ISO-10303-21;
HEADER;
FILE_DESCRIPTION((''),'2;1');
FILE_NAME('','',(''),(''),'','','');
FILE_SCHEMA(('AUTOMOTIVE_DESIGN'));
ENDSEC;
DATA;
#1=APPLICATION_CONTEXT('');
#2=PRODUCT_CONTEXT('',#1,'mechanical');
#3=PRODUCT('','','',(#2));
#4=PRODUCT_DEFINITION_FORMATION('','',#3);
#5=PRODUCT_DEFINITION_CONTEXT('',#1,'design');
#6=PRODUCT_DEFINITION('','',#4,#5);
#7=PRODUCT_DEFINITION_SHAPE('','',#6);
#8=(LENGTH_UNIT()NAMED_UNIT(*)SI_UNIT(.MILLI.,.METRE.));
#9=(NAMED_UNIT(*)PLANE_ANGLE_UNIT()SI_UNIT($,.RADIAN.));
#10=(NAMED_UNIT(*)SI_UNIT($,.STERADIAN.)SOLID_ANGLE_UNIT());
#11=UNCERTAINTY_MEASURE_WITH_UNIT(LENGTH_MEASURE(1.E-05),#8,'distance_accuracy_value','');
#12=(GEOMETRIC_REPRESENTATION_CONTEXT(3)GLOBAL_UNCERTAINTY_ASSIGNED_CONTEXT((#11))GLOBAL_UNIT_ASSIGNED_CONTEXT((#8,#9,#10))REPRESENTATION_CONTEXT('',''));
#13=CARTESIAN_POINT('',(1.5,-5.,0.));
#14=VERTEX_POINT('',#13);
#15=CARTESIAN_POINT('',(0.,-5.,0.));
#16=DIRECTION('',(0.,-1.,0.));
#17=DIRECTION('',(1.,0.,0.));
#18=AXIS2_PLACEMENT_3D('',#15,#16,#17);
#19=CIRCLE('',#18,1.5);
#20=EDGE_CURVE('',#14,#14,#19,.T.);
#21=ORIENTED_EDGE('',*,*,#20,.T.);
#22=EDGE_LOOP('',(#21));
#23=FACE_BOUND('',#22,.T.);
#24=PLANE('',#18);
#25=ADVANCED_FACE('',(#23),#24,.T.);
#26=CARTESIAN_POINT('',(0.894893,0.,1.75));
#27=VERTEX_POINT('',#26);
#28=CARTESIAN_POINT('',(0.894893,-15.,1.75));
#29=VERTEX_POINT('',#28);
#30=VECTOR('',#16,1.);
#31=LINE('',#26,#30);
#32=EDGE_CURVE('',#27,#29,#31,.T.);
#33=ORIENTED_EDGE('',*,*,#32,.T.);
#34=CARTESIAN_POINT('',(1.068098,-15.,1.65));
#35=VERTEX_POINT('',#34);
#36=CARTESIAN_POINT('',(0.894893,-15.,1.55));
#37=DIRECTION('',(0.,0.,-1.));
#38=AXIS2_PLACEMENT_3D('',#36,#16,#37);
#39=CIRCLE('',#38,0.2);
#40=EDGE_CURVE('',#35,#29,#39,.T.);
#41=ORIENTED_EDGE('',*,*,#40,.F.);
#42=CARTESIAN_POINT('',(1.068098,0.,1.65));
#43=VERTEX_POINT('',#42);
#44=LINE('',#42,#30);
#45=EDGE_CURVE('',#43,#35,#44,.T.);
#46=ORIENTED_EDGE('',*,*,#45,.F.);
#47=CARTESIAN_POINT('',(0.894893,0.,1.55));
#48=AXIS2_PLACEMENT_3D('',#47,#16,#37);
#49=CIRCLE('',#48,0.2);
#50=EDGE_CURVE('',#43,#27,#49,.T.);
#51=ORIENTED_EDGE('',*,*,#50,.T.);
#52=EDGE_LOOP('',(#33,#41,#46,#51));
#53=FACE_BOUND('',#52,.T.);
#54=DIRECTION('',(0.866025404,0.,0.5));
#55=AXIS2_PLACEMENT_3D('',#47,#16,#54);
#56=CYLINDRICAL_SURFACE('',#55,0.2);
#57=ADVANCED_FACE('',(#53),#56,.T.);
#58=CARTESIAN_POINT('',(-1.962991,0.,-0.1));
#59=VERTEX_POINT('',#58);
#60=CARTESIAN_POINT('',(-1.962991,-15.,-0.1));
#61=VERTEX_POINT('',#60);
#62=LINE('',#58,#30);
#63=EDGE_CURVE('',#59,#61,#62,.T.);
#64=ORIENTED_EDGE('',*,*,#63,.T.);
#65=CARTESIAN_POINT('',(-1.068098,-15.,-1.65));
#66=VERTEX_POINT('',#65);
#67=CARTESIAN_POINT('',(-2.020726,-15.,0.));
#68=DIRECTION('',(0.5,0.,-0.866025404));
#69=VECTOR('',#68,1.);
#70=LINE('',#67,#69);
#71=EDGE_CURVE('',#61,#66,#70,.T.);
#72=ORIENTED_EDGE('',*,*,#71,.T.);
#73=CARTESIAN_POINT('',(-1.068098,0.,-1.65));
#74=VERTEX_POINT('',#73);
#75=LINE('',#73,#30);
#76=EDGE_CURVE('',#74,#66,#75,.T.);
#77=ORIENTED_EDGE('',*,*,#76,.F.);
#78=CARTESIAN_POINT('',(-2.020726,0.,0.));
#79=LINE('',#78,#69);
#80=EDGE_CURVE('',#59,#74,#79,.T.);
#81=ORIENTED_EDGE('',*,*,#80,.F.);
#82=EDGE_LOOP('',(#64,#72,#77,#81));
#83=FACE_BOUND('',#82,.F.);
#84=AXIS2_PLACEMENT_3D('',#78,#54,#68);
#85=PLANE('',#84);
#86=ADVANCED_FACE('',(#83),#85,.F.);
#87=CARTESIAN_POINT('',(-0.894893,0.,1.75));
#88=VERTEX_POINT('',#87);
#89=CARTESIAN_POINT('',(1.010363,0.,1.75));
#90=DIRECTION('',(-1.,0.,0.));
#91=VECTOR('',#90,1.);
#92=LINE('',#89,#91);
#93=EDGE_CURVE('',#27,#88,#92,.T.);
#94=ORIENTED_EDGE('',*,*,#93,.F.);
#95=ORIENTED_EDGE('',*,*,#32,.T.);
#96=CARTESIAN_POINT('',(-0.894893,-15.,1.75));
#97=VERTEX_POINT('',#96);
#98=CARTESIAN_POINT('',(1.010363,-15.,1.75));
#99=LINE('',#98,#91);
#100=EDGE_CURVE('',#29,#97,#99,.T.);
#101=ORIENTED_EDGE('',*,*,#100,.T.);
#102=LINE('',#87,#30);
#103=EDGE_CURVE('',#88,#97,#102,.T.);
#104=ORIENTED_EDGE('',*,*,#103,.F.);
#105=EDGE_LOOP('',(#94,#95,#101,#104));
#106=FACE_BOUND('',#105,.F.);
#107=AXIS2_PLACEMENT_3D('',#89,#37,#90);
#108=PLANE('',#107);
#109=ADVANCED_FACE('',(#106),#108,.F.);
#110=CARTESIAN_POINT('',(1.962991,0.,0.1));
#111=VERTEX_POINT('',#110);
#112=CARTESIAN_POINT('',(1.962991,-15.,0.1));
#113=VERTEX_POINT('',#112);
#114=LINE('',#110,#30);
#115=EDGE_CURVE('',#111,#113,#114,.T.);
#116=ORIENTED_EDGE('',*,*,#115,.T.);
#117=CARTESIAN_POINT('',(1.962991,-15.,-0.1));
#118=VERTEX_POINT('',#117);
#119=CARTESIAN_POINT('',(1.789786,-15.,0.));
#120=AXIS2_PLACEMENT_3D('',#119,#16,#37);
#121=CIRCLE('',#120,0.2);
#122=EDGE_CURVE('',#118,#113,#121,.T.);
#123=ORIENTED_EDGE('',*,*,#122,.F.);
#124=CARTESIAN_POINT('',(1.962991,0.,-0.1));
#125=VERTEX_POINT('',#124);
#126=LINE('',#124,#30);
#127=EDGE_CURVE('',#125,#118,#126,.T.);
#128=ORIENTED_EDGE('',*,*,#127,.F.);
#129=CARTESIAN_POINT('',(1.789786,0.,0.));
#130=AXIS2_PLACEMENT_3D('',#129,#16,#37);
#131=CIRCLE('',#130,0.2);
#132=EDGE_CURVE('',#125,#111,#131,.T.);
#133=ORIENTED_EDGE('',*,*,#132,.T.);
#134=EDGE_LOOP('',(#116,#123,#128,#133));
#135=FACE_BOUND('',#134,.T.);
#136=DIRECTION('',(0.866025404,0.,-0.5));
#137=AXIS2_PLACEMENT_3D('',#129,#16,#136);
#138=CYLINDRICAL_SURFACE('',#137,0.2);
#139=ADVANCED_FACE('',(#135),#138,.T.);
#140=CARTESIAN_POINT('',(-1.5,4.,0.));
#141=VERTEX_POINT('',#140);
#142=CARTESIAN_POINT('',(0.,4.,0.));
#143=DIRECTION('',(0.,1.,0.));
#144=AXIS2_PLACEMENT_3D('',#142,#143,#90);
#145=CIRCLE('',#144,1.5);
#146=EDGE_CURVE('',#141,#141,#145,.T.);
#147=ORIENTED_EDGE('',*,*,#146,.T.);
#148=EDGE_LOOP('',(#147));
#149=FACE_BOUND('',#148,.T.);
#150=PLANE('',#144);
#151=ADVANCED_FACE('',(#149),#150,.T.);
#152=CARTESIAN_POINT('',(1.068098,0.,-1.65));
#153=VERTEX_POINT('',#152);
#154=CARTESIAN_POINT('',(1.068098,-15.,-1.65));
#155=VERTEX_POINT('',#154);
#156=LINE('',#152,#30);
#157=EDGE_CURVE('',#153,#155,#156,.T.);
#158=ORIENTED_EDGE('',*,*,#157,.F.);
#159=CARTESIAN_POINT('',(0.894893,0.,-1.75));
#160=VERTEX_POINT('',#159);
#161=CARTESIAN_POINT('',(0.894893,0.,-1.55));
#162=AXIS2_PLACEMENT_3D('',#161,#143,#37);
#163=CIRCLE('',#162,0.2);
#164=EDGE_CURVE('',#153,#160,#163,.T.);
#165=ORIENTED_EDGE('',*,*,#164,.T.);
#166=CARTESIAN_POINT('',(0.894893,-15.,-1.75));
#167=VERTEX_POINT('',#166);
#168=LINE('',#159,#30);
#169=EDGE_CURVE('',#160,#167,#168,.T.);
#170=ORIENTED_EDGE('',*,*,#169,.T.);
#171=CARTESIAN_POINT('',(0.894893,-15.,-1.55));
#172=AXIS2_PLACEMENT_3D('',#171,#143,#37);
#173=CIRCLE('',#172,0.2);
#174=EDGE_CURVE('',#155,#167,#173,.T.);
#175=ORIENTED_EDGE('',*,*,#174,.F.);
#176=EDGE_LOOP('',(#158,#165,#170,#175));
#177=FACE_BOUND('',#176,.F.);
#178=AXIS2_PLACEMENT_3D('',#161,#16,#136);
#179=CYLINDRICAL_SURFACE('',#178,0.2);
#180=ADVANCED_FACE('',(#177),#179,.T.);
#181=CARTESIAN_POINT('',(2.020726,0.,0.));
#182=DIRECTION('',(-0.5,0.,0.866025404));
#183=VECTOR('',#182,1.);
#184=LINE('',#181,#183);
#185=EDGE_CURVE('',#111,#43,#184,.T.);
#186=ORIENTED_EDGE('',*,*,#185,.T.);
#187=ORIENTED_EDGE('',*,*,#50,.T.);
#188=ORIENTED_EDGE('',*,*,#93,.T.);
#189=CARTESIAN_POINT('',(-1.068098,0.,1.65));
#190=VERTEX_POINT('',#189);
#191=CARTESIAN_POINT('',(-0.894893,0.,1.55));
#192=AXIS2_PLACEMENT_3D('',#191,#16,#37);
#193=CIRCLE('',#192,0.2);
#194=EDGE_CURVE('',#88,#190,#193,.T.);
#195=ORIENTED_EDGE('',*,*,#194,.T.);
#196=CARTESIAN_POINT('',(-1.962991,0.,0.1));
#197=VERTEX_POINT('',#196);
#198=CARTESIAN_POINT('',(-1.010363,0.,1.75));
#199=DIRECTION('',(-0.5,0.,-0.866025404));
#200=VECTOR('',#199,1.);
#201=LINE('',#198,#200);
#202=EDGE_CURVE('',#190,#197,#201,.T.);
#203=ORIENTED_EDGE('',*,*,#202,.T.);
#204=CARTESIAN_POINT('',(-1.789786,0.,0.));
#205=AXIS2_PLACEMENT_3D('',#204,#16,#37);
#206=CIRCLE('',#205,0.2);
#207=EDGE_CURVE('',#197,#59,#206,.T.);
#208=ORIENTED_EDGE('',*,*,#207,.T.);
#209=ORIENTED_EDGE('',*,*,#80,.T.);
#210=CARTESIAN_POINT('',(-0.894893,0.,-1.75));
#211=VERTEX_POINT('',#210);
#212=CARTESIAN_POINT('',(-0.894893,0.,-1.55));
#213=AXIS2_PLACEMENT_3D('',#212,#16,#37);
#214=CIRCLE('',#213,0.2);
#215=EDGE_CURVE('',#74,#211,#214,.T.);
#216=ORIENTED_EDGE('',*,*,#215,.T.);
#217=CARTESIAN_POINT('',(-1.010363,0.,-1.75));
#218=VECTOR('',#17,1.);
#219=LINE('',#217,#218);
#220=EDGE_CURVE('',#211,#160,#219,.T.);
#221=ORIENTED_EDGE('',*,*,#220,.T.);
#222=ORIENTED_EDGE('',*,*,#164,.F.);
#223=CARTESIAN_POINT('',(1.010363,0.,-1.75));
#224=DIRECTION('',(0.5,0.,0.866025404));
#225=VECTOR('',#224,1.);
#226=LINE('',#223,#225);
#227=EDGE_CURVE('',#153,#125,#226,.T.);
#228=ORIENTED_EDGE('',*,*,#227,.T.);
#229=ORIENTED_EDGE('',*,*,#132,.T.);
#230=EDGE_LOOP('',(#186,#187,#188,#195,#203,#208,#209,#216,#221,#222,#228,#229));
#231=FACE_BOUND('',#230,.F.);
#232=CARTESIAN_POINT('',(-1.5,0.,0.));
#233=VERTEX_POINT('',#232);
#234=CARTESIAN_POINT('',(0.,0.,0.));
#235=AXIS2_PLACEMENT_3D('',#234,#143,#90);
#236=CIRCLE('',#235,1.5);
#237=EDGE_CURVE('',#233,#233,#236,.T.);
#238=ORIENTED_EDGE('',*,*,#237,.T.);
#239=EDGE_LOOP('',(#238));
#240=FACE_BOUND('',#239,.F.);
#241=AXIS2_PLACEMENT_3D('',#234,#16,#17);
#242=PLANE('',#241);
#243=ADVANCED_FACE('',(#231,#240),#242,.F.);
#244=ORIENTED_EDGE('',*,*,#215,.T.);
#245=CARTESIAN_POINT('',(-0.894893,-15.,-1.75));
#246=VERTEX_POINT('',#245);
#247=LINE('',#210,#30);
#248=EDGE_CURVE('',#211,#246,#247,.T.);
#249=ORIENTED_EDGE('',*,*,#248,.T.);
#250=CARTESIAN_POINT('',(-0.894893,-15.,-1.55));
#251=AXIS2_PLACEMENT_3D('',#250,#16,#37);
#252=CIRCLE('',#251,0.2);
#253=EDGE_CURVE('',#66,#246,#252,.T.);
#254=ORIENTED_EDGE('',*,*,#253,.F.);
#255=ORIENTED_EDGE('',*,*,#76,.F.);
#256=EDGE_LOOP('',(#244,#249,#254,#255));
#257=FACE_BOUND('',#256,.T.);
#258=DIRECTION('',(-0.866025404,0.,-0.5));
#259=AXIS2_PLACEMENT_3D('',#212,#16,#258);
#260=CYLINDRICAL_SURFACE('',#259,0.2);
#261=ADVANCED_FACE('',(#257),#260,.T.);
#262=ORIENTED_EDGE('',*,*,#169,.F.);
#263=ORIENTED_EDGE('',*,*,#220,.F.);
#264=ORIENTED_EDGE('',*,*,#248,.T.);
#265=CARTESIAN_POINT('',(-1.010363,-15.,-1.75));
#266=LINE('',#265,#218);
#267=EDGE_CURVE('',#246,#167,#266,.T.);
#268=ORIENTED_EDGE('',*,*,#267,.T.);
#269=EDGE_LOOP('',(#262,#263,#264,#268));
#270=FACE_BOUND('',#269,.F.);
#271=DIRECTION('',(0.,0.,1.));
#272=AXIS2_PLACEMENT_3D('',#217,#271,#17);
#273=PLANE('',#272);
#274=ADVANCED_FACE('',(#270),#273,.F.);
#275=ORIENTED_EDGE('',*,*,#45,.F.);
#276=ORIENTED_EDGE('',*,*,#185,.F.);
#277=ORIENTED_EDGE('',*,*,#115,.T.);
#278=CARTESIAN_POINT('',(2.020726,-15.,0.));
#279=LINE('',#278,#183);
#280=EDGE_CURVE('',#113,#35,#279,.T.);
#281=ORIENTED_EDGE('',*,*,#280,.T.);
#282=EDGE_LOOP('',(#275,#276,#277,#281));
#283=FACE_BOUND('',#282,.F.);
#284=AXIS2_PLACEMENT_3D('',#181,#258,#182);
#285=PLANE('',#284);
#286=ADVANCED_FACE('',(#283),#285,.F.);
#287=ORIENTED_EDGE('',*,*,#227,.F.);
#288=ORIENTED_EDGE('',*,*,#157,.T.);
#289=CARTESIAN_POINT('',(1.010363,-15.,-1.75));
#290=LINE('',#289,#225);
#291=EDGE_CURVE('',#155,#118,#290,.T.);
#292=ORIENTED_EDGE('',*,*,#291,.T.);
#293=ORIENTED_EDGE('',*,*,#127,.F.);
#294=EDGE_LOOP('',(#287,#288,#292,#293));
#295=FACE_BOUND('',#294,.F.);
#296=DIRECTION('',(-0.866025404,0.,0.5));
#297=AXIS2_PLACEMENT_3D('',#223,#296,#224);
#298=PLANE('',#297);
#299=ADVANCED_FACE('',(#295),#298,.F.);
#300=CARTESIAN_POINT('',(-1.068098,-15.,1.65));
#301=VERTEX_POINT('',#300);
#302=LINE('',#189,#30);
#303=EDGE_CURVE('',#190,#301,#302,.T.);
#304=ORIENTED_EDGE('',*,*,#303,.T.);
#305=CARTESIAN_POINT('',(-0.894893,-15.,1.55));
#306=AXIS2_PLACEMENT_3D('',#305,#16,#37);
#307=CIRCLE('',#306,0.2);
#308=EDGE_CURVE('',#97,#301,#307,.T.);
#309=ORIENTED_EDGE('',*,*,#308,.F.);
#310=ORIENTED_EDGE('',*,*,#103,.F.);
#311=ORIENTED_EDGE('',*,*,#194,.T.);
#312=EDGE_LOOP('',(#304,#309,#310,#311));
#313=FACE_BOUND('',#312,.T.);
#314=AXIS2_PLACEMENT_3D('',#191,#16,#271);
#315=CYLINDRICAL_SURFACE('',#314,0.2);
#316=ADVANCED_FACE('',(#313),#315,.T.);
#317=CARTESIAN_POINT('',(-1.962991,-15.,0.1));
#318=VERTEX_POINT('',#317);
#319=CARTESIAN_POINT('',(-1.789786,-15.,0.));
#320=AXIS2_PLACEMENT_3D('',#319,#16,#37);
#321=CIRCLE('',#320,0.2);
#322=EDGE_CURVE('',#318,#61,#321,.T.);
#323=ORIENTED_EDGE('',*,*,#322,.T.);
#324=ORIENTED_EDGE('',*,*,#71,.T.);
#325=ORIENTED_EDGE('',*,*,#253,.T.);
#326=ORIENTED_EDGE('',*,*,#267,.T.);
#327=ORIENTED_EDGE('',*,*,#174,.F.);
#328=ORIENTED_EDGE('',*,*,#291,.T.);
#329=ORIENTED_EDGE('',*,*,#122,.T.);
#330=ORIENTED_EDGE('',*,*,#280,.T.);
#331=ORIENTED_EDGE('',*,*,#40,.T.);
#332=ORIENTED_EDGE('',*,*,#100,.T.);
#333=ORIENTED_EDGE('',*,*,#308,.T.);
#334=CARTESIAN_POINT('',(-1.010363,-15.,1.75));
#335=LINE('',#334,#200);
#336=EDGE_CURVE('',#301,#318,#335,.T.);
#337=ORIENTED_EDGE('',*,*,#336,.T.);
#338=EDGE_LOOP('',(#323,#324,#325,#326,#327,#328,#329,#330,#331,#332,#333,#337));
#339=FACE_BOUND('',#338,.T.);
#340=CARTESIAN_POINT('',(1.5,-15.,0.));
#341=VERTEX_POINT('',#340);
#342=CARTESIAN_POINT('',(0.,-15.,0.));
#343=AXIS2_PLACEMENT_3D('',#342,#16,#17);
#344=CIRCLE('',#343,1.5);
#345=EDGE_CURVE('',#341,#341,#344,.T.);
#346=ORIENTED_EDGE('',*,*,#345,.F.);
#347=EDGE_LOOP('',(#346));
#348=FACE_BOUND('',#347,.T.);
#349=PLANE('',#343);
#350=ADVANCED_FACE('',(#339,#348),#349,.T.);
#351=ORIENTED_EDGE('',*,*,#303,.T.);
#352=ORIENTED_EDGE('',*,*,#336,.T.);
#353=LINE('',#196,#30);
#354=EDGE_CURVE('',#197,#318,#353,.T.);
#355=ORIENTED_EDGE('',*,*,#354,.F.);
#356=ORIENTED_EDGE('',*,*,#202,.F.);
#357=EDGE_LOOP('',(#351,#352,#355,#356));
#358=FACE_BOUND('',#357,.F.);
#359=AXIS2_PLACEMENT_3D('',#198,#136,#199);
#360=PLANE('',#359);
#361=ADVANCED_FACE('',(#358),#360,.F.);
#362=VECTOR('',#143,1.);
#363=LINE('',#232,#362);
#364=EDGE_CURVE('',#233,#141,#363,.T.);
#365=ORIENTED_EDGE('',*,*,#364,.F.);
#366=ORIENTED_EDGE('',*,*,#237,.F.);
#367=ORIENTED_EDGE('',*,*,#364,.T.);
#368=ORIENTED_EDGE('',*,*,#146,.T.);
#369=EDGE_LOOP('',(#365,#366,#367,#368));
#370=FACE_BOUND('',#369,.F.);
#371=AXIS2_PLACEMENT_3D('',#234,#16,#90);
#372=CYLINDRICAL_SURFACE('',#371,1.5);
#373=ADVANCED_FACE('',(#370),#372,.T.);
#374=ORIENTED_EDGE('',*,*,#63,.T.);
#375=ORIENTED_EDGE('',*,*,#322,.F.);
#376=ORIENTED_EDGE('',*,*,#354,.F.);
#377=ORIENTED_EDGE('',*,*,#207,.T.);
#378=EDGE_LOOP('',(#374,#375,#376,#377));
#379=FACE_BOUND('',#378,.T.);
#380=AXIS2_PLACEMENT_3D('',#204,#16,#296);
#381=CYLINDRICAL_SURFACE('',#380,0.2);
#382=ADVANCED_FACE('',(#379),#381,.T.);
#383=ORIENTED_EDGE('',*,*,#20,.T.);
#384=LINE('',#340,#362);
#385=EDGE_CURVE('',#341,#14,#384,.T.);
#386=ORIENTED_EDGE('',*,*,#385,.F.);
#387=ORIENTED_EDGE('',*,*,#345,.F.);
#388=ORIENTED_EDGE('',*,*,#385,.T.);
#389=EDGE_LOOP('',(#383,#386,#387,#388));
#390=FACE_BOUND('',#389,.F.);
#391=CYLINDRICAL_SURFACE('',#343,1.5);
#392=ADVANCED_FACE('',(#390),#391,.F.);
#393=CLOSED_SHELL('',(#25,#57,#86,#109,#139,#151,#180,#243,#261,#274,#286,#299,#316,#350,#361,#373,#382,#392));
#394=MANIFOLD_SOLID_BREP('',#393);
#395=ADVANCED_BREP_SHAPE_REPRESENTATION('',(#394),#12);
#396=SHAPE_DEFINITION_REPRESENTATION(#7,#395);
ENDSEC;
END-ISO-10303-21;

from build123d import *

# Parameters (mm, degrees)
F1_DEPTH = 15
F2_R     = 0.2
F3_R     = 1.5
F4_DEPTH = 10
F5_R     = 1.5
F6_DEPTH = 4


with BuildPart() as f1:
    # F0 (on Front) → F1 (new body)
    with BuildSketch(Plane.XZ):
        Polygon((1.0103629711, -1.75), (2.0207259422, 0), (1.0103629711, 1.75), (-1.0103629711, 1.75), (-2.0207259422, 0), (-1.0103629711, -1.75), align=None)
    extrude(amount=F1_DEPTH)

    # F2
    f2_edges = [f1.edges().sort_by_distance(p)[0] for p in [
        (-1.010363, -7.5, 1.75),
        (1.010363, -7.5, 1.75),
        (2.020726, -7.5, 0),
        (1.010363, -7.5, -1.75),
        (-1.010363, -7.5, -1.75),
        (-2.020726, -7.5, 0),
    ]]
    fillet(f2_edges, radius=F2_R)

    # F3 (on face) → F4 (cut)
    with BuildSketch(Plane.XZ.offset(15)):
        Circle(F3_R)
    extrude(amount=-F4_DEPTH, mode=Mode.SUBTRACT)

    # F5 (on face) → F6 (join)
    with BuildSketch(Plane(origin=(0, 0, 0), x_dir=(-1, 0, 0), z_dir=(0, 1, 0))):
        Circle(F5_R)
    extrude(amount=F6_DEPTH)


solid = f1.part
